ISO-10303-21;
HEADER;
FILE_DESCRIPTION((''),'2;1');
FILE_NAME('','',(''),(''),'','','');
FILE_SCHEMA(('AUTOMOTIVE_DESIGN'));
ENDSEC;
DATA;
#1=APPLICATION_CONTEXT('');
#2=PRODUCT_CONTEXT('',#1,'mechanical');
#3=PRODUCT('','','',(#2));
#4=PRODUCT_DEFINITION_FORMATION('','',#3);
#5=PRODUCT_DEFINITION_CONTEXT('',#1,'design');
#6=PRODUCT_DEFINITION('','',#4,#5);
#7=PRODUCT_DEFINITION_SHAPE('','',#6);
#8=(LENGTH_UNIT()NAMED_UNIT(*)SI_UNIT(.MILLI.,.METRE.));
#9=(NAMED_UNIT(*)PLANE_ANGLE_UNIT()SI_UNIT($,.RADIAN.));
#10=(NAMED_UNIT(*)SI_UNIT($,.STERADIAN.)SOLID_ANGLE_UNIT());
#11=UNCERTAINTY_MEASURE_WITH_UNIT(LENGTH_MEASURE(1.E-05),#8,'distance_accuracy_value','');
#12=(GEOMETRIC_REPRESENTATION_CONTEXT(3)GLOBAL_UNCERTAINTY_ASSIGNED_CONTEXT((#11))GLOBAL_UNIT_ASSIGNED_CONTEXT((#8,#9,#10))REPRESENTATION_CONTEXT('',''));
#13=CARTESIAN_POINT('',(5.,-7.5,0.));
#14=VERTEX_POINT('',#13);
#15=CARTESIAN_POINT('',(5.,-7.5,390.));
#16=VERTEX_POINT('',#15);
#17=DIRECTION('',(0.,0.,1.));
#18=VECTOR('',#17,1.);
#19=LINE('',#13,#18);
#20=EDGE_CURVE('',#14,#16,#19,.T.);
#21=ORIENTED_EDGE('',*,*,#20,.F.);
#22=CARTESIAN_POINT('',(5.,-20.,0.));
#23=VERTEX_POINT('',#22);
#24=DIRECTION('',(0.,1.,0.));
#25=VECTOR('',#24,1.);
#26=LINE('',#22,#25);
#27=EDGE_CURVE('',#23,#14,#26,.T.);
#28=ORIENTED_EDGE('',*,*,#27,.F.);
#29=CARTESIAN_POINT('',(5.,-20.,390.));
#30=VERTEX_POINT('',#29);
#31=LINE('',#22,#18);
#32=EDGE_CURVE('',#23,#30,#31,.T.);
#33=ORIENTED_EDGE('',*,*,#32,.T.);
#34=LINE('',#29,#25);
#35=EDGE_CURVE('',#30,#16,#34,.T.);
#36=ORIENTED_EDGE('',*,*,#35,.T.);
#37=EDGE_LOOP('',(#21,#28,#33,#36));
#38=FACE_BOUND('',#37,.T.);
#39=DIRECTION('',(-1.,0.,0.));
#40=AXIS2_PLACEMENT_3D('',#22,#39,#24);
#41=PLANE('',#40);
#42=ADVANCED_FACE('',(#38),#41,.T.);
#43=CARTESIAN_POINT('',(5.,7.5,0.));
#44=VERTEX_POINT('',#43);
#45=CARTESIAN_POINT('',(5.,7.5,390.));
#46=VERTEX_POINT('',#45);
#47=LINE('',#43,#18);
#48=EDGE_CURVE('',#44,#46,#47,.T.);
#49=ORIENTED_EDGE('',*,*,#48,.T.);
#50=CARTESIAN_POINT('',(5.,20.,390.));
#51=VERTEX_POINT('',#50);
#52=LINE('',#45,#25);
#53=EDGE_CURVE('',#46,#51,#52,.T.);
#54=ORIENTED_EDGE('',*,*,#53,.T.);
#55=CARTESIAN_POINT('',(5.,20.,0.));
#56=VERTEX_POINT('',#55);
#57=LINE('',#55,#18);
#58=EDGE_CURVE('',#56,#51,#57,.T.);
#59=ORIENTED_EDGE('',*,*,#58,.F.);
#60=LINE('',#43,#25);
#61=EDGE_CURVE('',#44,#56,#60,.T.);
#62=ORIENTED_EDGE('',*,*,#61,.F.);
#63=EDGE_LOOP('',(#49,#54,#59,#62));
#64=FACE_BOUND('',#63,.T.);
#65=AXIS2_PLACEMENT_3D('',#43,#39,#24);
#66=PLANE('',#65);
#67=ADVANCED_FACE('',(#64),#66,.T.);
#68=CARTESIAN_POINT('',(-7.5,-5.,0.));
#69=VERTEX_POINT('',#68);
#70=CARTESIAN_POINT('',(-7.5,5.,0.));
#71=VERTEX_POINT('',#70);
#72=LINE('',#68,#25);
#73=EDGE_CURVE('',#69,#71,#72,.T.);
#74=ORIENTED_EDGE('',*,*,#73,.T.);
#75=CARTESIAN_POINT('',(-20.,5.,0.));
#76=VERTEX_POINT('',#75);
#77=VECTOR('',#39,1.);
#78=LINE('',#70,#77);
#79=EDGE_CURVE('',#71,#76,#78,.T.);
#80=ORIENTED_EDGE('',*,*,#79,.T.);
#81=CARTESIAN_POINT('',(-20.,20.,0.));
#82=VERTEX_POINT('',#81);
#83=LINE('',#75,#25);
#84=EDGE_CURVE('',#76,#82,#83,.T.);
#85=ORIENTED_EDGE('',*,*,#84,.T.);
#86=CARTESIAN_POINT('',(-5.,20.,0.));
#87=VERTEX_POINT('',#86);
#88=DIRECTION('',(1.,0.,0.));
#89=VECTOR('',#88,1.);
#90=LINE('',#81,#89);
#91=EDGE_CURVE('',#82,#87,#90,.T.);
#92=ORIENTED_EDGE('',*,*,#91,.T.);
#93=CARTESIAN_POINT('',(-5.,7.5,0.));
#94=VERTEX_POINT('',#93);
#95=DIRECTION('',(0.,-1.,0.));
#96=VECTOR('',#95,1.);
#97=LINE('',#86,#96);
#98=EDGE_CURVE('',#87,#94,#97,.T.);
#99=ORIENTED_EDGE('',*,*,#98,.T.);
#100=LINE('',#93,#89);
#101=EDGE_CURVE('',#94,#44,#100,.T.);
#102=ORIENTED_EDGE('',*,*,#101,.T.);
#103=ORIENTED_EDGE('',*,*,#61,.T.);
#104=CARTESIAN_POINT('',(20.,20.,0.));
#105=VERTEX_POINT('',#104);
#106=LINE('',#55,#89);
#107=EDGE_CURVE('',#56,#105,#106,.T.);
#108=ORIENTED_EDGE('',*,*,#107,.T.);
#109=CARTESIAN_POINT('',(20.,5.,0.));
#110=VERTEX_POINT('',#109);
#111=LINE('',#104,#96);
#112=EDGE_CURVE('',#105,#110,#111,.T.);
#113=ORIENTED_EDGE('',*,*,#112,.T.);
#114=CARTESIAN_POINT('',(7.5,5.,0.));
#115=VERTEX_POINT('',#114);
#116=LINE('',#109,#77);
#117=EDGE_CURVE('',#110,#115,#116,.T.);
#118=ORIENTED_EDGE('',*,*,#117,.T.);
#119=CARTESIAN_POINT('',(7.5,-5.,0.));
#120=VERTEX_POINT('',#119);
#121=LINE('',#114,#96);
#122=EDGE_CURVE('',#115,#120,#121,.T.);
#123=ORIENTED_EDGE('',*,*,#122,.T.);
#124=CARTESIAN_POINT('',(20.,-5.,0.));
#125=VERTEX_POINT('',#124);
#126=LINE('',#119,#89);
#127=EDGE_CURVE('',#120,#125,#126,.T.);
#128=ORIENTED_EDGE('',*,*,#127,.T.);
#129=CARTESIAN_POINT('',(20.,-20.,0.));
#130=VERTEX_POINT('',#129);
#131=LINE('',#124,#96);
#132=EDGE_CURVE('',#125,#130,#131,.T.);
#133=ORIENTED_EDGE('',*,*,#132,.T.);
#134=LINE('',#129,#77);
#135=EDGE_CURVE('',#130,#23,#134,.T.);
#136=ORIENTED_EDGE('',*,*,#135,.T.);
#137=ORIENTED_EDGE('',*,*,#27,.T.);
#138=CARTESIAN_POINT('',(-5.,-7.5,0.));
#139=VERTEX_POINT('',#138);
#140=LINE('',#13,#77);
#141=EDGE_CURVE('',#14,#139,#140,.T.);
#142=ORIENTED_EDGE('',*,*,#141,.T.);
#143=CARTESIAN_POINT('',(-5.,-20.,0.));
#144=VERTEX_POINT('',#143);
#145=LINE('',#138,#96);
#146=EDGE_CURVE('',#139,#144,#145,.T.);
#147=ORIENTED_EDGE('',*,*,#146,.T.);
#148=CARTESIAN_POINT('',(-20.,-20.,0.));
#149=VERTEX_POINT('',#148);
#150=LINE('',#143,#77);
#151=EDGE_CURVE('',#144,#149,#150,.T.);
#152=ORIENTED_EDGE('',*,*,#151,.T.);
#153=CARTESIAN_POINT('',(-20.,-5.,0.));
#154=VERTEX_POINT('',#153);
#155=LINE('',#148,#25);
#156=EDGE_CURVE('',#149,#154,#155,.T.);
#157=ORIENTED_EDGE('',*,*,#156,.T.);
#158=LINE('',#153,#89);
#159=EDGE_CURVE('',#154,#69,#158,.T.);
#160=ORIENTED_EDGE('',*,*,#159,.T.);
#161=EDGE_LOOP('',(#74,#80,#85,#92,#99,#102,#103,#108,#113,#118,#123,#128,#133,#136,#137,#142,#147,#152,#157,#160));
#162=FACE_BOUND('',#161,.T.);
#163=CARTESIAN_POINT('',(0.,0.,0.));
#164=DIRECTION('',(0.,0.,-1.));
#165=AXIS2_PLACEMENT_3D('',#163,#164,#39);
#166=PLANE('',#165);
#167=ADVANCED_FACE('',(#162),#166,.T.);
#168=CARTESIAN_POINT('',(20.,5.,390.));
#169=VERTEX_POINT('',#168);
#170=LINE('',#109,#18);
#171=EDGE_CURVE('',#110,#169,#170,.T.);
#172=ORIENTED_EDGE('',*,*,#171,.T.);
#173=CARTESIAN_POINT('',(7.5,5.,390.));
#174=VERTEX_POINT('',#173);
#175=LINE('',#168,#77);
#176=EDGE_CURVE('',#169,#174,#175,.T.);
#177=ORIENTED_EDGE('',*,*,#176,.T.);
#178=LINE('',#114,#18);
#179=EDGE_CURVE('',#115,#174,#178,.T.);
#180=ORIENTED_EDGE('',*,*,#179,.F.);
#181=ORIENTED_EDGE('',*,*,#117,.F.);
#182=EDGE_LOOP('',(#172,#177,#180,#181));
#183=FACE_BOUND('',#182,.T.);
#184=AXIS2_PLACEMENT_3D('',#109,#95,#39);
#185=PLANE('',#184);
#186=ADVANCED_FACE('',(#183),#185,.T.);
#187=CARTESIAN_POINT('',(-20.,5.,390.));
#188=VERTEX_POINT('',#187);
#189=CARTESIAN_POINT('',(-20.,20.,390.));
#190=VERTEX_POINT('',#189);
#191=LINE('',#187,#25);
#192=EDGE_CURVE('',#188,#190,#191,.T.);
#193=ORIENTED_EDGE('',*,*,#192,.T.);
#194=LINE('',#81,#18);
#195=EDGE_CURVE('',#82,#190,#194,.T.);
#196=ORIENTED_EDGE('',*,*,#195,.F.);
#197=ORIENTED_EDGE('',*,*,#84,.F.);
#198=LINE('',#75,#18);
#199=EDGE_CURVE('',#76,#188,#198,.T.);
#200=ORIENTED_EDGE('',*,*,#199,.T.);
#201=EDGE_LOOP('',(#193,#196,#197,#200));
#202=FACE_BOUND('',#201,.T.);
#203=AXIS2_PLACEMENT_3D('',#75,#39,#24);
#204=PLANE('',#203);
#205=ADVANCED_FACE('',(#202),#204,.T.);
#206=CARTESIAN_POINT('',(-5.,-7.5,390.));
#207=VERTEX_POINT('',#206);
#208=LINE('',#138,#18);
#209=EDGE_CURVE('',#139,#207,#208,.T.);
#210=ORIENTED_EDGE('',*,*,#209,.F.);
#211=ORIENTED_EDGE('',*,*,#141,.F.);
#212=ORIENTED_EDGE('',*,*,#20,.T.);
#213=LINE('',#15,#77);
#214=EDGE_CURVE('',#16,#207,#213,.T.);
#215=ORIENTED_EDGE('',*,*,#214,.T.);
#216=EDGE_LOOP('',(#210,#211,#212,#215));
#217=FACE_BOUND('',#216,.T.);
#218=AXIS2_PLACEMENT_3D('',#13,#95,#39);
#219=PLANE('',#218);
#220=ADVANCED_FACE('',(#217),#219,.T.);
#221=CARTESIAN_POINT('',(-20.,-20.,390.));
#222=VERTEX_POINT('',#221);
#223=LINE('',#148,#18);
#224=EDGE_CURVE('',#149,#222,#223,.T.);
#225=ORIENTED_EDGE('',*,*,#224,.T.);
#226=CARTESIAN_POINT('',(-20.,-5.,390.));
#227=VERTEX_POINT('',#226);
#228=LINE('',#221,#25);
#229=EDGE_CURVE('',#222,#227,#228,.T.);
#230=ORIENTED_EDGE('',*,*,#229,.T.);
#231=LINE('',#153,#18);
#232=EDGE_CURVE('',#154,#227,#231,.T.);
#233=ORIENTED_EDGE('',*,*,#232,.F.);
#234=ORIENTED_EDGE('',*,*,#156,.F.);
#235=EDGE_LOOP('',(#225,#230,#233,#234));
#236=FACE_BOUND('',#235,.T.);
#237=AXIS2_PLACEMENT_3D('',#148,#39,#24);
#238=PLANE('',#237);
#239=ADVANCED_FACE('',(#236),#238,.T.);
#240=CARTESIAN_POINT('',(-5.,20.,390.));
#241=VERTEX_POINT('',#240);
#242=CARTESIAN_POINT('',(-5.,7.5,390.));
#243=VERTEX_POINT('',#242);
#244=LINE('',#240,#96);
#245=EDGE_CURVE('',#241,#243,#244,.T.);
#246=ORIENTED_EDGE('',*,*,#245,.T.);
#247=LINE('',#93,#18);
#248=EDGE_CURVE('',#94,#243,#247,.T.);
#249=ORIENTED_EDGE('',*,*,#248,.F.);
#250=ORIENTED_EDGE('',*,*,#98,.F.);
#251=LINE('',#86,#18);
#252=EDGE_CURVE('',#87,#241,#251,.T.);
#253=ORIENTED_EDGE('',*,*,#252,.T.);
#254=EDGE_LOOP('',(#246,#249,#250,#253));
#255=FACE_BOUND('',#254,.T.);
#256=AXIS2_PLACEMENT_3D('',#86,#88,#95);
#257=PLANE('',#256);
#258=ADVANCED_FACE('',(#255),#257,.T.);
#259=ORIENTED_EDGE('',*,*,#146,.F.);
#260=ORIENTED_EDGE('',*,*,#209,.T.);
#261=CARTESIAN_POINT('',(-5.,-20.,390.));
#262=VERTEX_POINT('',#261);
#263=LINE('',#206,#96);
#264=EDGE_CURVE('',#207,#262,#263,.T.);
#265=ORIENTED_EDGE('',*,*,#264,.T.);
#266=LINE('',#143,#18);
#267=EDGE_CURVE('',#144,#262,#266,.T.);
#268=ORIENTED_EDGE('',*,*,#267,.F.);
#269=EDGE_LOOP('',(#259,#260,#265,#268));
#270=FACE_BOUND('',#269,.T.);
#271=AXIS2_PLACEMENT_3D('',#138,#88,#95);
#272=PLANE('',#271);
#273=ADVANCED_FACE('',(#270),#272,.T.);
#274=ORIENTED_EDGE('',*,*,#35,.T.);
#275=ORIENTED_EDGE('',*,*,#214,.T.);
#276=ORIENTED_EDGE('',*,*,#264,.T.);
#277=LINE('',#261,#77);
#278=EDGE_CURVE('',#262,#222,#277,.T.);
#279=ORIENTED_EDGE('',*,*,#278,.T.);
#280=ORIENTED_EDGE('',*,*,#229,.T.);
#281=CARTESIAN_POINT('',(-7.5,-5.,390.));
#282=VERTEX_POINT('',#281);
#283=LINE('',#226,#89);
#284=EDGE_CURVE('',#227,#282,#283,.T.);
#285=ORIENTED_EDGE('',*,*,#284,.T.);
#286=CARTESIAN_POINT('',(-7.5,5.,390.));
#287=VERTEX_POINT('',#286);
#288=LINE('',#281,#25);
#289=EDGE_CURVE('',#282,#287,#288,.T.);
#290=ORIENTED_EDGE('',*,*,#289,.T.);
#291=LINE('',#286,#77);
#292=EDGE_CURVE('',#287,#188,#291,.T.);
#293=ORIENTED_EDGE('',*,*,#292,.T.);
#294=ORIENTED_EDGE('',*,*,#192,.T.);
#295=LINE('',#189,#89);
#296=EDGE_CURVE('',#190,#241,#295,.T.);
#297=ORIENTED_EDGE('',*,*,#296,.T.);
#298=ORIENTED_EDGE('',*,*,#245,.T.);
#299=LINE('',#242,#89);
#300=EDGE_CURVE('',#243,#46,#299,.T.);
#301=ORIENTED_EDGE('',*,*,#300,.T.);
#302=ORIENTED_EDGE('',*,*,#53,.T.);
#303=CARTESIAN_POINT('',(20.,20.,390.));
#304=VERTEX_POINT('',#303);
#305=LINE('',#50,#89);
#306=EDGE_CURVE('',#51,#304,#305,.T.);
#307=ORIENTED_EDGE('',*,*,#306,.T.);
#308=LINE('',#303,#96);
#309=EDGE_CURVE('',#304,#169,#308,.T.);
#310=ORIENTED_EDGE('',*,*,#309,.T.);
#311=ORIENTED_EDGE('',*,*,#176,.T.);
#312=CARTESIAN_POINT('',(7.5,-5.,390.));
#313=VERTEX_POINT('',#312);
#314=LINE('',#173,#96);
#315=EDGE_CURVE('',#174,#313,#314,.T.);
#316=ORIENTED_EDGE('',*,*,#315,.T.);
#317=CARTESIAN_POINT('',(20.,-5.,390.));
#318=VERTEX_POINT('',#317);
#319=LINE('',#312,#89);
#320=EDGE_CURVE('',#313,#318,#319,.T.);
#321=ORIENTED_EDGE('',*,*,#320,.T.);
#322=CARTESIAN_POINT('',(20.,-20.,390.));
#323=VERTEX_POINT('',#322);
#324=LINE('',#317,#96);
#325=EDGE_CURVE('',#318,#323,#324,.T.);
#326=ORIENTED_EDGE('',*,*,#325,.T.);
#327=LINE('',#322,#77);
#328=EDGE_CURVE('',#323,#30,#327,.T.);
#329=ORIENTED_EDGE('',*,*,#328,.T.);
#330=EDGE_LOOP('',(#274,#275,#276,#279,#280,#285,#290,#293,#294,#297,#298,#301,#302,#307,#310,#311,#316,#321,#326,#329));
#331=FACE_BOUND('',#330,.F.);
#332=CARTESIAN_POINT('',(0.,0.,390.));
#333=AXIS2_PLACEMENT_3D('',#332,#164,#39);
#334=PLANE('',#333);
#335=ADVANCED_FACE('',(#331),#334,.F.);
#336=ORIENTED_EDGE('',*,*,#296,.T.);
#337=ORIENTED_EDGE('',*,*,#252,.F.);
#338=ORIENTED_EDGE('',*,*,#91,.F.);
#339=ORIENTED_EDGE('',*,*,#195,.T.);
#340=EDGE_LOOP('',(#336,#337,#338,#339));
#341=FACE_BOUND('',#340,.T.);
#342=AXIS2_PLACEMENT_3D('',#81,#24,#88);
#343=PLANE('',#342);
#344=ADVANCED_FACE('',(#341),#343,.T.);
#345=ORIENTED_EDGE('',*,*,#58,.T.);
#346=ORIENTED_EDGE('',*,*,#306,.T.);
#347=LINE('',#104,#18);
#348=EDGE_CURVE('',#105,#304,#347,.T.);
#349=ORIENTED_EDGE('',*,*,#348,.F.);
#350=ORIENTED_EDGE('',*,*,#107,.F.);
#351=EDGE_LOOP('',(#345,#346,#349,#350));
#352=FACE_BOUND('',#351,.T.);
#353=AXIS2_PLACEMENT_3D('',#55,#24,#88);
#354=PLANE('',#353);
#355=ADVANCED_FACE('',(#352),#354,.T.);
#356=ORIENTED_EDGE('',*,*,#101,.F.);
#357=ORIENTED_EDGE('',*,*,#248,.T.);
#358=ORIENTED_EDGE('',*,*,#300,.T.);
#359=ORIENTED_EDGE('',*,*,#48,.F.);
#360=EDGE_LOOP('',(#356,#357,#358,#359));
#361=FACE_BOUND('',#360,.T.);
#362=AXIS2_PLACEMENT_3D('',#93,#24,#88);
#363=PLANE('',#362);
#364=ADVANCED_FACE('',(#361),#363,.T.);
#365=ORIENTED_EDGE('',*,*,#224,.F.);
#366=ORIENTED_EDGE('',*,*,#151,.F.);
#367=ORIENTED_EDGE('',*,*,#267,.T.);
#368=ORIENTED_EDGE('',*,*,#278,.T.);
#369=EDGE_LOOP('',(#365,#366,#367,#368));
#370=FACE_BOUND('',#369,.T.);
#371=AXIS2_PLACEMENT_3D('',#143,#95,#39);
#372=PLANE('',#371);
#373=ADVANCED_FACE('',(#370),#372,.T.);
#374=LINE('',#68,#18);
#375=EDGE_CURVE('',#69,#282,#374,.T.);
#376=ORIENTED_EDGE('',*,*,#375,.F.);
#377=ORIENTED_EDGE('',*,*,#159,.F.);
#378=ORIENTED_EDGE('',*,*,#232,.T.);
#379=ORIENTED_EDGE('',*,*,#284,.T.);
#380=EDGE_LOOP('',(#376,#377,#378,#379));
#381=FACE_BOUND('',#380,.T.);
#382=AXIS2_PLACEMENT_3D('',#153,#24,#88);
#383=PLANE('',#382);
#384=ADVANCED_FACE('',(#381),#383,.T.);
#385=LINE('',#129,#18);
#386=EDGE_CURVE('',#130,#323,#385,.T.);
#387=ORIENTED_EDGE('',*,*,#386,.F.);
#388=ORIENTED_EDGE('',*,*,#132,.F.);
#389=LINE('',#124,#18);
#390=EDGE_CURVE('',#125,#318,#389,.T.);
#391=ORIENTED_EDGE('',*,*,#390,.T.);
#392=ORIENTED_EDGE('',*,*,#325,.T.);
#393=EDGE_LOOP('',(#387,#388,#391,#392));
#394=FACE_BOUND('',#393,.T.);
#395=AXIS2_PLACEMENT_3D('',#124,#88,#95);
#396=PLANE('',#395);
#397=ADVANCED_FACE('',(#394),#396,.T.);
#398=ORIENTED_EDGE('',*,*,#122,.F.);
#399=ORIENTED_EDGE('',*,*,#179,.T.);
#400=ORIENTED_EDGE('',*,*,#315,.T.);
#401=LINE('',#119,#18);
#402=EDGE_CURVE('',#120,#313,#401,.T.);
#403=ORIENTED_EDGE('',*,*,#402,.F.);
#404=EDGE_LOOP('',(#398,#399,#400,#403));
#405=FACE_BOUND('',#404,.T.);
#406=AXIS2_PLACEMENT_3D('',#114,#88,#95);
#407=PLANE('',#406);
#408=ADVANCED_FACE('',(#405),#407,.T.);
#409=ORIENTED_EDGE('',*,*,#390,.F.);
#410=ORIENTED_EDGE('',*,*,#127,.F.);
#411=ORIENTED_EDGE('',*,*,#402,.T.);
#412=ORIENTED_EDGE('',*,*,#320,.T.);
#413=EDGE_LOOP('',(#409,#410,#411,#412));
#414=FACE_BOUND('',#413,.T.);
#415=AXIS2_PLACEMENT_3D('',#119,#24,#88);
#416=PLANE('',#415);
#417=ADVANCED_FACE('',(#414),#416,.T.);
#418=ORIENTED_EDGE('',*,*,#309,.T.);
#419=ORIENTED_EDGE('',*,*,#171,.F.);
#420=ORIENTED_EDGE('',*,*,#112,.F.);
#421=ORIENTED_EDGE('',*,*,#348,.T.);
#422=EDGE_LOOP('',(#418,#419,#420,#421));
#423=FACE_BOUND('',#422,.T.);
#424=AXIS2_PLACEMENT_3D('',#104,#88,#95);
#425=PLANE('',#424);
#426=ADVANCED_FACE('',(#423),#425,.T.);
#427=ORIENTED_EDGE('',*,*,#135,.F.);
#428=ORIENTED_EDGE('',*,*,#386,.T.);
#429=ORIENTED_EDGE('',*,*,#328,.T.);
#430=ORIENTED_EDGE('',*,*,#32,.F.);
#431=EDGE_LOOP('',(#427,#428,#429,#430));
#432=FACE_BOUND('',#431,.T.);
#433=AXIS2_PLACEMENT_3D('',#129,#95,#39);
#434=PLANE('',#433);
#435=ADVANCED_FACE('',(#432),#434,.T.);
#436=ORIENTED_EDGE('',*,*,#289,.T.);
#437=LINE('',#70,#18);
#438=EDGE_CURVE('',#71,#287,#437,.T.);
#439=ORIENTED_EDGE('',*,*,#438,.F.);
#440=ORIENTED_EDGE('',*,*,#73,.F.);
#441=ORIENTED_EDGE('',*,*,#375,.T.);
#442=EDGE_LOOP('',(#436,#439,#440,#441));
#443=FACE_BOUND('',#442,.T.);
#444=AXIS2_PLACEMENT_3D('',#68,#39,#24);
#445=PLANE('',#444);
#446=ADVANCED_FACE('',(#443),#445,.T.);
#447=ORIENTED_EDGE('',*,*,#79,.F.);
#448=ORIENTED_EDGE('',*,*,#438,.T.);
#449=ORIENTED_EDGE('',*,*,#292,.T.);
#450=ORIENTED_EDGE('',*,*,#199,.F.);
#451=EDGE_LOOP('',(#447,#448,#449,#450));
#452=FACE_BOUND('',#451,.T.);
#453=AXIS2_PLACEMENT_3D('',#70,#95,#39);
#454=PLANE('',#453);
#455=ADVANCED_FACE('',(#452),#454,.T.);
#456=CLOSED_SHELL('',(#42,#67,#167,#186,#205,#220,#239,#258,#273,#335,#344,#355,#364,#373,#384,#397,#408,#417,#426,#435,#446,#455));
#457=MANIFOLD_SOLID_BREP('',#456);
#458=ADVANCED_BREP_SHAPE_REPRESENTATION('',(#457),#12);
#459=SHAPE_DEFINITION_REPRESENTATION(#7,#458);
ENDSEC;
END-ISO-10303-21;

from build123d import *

# Parameters (mm, degrees)
PAD_DEPTH = 390


with BuildPart() as part:
    # Sketch → Pad (new body)
    with BuildSketch(Plane.XY):
        Polygon((-20, -20), (-20, -5), (-7.5, -5), (-7.5, 5), (-20, 5), (-20, 20), (-5, 20), (-5, 7.5), (5, 7.5), (5, 20), (20, 20), (20, 5), (7.5, 5), (7.5, -5), (20, -5), (20, -20), (5, -20), (5, -7.5), (-5, -7.5), (-5, -20), align=None)
    extrude(amount=PAD_DEPTH)


solid = part.part
